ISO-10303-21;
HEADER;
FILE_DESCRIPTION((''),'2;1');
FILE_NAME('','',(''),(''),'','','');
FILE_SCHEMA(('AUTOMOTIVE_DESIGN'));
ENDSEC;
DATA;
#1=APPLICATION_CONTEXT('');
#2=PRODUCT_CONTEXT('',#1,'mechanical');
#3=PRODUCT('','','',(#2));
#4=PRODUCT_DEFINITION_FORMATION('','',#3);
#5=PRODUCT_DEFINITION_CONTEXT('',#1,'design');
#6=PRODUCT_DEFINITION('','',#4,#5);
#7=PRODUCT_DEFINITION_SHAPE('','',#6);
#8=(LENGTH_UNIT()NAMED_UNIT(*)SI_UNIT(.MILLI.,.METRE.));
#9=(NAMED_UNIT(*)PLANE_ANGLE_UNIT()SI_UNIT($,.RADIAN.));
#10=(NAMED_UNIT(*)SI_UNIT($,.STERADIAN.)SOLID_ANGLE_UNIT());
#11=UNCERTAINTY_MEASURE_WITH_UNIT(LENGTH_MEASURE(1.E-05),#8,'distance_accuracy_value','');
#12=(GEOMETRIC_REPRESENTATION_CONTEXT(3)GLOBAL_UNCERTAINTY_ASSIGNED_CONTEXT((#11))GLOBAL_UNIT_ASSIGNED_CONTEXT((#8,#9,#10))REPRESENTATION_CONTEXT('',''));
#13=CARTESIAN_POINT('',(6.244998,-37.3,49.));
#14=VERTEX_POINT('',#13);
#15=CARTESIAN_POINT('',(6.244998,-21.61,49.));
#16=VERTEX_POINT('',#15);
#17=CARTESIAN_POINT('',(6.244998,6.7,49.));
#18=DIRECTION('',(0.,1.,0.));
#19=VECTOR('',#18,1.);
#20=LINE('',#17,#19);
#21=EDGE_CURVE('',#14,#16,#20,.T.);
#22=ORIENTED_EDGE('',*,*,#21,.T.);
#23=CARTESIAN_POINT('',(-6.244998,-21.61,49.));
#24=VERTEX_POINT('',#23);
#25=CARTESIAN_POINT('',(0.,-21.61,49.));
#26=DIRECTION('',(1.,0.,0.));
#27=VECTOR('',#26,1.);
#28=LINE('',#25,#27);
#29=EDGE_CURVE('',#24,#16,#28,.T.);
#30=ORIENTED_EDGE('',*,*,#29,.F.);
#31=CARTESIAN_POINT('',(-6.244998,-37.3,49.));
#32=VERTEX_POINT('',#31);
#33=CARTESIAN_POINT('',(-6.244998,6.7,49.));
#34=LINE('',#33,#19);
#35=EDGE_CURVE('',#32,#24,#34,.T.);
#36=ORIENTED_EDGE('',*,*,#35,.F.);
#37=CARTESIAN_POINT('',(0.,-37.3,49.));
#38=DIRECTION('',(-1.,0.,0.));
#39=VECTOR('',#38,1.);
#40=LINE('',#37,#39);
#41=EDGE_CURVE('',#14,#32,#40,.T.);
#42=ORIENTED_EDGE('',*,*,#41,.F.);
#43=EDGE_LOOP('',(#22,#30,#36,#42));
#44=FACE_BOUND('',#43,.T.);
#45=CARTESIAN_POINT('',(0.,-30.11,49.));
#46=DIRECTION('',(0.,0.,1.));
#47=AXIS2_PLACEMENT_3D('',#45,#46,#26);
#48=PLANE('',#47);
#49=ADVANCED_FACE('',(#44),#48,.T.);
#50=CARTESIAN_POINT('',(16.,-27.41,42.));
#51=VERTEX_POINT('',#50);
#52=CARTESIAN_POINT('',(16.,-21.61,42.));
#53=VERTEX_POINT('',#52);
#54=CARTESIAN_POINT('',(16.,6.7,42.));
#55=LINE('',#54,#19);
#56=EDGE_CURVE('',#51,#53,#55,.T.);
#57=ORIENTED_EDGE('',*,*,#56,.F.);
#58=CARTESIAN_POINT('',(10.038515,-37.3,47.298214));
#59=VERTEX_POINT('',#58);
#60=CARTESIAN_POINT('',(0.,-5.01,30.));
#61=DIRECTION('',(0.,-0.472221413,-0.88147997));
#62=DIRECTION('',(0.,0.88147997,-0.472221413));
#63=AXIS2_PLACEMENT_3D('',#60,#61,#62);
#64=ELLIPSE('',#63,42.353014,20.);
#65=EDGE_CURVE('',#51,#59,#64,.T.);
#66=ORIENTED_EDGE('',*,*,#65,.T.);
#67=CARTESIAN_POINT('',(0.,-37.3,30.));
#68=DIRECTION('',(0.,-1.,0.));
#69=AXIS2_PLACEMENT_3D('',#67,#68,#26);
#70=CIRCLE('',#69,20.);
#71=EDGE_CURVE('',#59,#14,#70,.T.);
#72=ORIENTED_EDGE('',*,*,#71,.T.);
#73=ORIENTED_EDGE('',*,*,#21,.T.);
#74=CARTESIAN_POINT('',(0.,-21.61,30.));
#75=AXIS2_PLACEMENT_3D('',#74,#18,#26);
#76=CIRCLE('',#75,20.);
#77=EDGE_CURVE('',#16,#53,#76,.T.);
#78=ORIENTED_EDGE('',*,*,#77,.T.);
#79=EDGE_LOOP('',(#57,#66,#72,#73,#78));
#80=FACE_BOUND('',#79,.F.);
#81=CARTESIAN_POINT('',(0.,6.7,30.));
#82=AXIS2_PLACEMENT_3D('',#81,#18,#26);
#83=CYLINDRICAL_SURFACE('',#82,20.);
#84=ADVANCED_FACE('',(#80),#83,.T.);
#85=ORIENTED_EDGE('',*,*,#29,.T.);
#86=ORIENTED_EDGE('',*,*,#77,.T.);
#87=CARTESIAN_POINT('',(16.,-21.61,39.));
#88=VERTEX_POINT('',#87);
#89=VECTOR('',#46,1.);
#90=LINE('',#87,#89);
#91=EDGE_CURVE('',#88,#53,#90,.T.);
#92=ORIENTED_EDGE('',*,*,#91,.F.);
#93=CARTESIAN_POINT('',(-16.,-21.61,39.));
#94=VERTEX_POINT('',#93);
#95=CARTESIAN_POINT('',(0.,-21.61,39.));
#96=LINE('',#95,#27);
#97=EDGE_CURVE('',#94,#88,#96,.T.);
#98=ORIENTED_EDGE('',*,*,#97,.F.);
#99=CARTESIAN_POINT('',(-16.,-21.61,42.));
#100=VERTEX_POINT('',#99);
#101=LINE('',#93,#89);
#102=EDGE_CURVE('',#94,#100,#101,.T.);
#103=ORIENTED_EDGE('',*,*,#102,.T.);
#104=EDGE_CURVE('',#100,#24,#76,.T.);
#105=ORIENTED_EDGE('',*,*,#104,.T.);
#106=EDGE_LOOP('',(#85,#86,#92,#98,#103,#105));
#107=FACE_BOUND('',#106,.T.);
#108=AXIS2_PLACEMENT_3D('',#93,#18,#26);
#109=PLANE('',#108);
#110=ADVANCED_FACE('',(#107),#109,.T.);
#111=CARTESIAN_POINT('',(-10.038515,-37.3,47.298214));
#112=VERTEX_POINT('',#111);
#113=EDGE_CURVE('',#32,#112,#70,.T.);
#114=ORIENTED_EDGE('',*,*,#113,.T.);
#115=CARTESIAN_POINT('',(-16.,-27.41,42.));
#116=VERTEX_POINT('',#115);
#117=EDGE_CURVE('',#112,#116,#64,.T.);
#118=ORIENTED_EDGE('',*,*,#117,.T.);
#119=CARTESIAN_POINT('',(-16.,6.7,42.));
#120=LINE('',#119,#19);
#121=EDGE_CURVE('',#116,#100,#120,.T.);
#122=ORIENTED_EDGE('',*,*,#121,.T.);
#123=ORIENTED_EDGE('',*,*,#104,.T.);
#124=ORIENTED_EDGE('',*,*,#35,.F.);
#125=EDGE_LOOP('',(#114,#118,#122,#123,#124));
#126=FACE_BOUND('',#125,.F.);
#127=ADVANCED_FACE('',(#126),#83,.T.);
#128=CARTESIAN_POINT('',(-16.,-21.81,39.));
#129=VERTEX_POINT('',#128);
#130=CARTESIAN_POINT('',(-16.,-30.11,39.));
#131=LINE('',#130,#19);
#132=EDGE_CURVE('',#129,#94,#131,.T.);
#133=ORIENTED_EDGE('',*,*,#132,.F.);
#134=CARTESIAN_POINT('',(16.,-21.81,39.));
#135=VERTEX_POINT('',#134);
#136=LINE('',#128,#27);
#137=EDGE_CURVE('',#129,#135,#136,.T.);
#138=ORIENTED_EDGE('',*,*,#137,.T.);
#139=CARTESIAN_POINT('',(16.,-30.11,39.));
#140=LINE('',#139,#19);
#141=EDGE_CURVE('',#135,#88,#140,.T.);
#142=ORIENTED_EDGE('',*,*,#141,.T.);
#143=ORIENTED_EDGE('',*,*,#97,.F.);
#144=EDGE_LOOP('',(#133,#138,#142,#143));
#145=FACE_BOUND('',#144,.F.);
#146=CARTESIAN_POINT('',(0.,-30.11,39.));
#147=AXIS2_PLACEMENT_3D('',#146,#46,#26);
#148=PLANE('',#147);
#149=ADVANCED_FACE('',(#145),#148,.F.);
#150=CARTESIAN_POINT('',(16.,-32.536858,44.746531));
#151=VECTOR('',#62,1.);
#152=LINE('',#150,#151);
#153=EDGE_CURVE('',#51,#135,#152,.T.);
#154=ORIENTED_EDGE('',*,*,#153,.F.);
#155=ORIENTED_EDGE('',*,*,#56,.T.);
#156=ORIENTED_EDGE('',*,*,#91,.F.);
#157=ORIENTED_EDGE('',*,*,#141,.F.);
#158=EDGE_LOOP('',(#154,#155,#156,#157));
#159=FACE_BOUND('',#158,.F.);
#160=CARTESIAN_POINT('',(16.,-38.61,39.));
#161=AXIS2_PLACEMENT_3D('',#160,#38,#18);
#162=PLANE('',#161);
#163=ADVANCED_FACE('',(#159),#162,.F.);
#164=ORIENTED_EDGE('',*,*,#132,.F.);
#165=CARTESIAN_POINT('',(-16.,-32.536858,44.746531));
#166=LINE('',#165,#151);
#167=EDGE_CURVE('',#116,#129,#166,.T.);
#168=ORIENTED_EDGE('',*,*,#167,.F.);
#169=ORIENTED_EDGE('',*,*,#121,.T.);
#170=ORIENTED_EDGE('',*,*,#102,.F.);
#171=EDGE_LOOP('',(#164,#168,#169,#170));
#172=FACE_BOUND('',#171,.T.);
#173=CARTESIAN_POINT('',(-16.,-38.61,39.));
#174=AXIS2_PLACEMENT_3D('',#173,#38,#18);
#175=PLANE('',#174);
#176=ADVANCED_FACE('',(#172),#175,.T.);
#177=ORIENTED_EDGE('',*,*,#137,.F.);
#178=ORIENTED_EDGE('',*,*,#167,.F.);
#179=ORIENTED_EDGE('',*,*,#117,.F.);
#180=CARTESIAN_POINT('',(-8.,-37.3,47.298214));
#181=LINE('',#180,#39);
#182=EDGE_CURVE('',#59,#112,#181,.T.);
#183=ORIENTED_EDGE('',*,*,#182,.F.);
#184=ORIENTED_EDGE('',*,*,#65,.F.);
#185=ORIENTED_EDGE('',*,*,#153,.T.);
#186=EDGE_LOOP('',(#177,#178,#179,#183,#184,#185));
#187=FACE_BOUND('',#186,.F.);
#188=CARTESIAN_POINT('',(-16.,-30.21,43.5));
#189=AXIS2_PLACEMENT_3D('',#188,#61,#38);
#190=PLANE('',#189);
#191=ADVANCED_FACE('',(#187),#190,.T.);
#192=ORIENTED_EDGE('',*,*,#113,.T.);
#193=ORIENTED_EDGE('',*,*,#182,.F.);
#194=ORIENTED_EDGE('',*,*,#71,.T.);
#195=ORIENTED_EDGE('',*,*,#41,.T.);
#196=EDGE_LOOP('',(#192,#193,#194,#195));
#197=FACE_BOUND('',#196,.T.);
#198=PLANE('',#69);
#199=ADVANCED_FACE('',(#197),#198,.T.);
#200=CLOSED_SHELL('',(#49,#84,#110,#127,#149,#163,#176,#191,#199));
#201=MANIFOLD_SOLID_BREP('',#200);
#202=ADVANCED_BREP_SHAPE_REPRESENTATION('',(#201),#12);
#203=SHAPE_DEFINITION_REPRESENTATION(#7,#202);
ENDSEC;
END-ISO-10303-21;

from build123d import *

# Parameters (mm, degrees)
BOX047_W               = 32
BOX047_H               = 17
BOX047_DEPTH           = 10
CHAMFER008016005_SIZE2 = 16.8
CHAMFER008016005_SIZE  = 9
CYLINDER047_R          = 20
CYLINDER047_DEPTH      = 44


with BuildPart() as chamfer008016005:
    # Box047 → Box047 (new body)
    with BuildSketch(Plane(origin=(-16, -38.61, 39), x_dir=(1, 0, 0), z_dir=(0, 0, 1))):
        with Locations((16, 8.5)):
            Rectangle(BOX047_W, BOX047_H)
    extrude(amount=BOX047_DEPTH)

    # Chamfer008016005
    chamfer008016005_edges = [chamfer008016005.edges().sort_by_distance(p)[0] for p in [
        (0, -38.61, 39),
    ]]
    chamfer008016005_side = chamfer008016005.faces().sort_by_distance((0, -38.61, 44))[0]
    chamfer(chamfer008016005_edges, length=CHAMFER008016005_SIZE, length2=CHAMFER008016005_SIZE2, reference=chamfer008016005_side)


with BuildPart() as air_router:
    # Cylinder047 → Cylinder047 (new body)
    with BuildSketch(Plane(origin=(0, 6.7, 30), x_dir=(1, 0, 0), z_dir=(0, -1, 0))):
        Circle(CYLINDER047_R)
    extrude(amount=CYLINDER047_DEPTH)

    # Common: intersect Chamfer008016005
    add(chamfer008016005.part, mode=Mode.INTERSECT)


solid = air_router.part
